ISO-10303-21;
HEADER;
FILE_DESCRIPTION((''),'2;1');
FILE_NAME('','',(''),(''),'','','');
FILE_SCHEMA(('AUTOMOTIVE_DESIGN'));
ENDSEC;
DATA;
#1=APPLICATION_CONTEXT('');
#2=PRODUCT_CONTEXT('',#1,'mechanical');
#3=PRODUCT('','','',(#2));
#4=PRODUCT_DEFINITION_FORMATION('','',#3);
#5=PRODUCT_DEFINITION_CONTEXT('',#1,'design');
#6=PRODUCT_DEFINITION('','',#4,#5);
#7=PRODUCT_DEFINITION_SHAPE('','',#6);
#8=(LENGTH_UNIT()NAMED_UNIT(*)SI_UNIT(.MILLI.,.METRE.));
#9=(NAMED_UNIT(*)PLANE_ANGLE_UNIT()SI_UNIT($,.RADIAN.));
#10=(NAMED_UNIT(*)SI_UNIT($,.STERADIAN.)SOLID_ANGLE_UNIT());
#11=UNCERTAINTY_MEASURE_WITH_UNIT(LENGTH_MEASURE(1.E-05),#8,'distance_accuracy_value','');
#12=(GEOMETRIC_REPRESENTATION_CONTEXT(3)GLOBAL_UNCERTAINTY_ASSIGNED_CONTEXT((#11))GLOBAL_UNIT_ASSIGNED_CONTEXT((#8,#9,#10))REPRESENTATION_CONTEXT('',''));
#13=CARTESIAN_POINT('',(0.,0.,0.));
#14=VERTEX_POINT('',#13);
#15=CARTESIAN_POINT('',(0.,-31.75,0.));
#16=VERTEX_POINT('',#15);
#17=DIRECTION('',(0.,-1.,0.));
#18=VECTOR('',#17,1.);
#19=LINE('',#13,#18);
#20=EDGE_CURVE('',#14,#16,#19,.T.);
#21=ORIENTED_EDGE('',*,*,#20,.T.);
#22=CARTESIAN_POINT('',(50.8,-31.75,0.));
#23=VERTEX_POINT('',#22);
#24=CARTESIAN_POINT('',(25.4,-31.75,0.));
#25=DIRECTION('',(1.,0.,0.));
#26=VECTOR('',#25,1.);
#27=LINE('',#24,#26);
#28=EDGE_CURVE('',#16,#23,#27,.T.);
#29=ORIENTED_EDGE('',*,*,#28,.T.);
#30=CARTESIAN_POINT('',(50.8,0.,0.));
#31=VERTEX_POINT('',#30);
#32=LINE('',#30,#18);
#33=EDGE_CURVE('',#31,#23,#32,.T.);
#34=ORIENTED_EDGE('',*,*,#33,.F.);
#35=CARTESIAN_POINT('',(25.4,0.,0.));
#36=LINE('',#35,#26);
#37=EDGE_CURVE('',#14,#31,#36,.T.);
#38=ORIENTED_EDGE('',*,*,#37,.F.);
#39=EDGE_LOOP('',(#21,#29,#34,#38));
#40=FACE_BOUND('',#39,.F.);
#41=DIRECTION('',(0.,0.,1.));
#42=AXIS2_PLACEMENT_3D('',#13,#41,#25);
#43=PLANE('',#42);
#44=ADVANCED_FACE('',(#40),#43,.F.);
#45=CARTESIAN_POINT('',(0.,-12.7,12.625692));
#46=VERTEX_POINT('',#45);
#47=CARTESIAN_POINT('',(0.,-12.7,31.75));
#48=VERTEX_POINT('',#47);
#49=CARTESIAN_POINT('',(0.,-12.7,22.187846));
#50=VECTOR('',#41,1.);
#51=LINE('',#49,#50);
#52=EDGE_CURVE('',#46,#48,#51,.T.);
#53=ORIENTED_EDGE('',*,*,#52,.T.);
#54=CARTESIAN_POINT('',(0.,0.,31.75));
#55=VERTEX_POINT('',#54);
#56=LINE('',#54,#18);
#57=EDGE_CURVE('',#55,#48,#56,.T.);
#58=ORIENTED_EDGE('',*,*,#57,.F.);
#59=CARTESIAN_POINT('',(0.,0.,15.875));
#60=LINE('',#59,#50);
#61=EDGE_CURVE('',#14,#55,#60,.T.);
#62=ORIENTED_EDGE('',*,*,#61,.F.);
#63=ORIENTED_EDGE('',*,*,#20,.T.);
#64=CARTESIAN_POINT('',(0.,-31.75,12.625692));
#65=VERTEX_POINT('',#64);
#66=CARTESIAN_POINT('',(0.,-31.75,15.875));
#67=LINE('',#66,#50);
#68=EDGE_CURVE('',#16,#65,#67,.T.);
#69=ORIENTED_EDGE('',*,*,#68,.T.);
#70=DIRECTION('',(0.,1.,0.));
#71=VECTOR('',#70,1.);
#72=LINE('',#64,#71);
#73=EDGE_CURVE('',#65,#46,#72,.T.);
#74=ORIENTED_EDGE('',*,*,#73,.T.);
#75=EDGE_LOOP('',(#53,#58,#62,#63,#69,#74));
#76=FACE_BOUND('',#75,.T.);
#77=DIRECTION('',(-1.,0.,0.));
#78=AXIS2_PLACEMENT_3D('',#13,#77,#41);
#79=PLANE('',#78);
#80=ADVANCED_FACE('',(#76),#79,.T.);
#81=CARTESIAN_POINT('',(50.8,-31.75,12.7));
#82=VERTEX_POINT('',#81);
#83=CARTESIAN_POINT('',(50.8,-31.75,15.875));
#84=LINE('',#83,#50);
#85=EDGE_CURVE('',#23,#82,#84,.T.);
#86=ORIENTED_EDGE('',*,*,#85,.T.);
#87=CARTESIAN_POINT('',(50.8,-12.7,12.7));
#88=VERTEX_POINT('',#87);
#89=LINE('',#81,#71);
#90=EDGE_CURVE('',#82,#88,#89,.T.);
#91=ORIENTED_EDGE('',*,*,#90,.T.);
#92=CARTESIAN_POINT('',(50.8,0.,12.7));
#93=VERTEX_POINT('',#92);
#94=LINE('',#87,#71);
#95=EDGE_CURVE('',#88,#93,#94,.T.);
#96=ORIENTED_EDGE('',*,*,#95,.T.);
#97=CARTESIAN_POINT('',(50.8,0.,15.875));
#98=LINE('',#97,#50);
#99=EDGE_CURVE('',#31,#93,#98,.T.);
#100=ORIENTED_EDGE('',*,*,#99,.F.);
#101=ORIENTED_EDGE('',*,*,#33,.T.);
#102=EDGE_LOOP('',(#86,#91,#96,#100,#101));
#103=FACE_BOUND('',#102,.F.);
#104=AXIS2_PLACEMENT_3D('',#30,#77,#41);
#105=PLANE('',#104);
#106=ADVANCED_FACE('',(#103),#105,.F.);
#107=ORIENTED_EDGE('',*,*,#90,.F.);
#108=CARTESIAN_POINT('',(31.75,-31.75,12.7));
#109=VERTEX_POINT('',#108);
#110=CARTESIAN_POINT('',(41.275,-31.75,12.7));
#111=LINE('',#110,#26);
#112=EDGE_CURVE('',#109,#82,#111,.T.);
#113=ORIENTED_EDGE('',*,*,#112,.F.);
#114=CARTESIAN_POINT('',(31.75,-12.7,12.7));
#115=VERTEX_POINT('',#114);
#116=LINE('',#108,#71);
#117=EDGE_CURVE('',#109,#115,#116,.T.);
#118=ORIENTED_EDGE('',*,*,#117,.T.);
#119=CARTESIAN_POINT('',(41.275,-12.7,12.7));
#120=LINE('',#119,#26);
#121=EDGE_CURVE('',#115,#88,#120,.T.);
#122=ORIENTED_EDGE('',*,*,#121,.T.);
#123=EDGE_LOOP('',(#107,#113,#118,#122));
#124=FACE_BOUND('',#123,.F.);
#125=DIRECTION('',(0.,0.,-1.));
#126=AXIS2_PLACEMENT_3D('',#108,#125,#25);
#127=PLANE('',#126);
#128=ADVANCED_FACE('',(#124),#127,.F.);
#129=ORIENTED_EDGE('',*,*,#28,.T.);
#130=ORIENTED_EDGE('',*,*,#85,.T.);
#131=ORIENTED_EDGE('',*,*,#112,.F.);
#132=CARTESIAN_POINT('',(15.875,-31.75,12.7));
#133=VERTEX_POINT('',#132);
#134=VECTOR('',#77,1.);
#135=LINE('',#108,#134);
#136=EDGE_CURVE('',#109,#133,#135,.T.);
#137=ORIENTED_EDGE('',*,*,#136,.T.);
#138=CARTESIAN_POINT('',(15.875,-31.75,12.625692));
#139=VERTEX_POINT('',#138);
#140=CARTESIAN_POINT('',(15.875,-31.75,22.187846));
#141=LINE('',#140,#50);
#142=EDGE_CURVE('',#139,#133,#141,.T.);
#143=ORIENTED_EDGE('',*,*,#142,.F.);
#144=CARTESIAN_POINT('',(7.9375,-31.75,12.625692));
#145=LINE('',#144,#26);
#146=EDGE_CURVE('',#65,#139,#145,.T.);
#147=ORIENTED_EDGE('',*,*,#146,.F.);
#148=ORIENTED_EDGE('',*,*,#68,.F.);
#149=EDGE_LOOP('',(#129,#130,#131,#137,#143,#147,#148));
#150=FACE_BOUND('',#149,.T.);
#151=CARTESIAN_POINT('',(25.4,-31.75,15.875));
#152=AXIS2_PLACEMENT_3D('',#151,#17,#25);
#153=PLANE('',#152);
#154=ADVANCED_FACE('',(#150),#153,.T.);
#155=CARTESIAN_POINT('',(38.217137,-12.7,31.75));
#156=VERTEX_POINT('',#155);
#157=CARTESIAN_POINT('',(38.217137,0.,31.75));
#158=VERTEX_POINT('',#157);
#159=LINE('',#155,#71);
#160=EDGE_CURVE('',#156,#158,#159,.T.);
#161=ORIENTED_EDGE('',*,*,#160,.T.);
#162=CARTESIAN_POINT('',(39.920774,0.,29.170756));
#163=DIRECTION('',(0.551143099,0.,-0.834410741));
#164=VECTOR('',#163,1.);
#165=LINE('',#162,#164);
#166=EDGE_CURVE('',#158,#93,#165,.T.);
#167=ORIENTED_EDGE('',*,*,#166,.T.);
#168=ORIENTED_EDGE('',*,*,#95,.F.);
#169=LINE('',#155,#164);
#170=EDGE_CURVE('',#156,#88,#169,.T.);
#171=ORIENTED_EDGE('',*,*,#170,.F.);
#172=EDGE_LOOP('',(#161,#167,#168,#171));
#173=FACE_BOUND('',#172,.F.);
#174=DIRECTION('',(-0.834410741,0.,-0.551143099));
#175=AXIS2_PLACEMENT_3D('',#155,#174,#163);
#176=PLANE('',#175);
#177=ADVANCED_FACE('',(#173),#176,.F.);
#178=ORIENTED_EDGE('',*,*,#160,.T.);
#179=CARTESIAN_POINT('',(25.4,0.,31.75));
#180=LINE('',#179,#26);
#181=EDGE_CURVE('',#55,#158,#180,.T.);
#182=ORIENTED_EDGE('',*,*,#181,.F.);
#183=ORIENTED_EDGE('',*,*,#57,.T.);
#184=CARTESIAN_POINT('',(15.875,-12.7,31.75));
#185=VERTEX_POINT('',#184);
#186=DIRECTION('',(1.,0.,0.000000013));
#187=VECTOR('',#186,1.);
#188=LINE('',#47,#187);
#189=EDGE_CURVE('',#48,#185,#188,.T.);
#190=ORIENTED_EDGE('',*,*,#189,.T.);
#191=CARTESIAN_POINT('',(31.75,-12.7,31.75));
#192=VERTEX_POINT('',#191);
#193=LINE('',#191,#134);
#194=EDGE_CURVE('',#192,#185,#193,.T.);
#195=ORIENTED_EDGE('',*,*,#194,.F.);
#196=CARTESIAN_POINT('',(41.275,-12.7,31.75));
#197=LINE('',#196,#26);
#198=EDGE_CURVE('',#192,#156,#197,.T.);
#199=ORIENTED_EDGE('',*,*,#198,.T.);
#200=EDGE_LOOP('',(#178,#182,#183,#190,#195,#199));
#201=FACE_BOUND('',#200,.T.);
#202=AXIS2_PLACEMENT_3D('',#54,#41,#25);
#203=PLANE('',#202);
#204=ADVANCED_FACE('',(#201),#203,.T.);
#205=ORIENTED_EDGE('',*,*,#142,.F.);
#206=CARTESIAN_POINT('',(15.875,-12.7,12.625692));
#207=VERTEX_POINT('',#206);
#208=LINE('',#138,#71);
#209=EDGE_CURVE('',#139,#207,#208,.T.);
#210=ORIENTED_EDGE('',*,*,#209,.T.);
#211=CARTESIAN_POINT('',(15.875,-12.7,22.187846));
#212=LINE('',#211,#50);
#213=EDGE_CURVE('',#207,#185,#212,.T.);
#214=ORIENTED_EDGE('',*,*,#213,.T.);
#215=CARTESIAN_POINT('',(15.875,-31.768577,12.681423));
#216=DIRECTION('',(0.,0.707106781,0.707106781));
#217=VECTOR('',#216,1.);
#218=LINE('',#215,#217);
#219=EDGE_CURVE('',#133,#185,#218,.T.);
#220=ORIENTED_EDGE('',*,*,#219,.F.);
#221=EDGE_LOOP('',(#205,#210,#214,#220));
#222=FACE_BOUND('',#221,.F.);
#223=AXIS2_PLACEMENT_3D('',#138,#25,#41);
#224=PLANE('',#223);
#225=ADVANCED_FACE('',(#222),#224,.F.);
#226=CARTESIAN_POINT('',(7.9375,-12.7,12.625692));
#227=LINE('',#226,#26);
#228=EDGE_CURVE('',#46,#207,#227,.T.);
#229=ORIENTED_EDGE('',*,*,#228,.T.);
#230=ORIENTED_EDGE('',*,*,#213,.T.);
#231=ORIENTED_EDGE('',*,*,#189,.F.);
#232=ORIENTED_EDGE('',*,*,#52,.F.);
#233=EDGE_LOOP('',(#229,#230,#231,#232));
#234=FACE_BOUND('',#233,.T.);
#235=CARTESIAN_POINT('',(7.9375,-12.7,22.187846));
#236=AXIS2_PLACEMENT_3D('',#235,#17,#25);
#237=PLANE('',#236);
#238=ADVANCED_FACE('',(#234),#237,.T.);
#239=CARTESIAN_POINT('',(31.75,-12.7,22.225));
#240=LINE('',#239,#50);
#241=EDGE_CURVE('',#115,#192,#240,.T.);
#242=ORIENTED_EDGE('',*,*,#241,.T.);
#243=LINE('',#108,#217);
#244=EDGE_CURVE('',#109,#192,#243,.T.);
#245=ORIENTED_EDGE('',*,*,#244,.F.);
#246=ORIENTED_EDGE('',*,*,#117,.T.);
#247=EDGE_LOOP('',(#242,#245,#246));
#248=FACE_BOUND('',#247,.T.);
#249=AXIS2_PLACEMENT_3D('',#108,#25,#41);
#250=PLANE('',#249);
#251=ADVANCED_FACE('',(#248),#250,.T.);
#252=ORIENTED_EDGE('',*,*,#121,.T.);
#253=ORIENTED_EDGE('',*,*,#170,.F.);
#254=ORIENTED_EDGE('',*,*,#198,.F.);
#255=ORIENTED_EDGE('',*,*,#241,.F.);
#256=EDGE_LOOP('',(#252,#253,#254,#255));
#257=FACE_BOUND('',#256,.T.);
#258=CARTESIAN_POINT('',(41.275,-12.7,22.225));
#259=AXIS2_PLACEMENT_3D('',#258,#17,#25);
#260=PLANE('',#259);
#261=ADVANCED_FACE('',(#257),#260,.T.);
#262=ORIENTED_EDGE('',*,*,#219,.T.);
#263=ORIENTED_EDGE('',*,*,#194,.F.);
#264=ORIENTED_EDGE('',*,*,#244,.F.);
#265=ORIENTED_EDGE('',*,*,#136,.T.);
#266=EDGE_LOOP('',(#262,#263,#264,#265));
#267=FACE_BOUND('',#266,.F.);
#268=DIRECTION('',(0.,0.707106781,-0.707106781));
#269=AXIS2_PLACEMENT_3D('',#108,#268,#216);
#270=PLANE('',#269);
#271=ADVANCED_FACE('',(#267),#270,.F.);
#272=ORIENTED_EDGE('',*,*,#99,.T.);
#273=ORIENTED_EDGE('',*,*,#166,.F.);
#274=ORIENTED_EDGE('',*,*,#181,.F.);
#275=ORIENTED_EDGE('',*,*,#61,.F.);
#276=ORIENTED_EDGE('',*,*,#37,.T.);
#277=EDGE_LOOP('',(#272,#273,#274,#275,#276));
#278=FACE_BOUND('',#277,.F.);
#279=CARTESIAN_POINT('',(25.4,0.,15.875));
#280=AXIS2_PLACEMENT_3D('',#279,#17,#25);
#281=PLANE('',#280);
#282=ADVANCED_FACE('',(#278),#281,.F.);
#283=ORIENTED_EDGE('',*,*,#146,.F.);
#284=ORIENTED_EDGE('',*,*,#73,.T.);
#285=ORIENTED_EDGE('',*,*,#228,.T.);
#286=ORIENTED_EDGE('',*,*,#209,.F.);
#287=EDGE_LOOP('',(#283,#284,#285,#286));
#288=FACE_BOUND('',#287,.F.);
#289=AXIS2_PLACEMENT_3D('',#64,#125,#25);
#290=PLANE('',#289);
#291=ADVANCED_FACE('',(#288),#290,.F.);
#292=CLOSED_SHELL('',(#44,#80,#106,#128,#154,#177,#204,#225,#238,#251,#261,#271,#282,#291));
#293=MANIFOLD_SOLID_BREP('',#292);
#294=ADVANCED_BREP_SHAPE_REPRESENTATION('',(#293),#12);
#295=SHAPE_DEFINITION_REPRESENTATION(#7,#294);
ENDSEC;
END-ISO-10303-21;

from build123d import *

# Parameters (mm, degrees)
F0_W     = 50.8
F0_H     = 31.75
F1_DEPTH = 31.75
F2_W     = 19.05
F2_H     = 19.05
F3_DEPTH = 19.05
F5_DEPTH = 25.4
F6_W     = 15.875
F6_H     = 19.124309
F7_DEPTH = 19.05
F9_DEPTH = 25.4


with BuildPart() as f1:
    # F0 (on Front) → F1 (new body)
    with BuildSketch(Plane.XZ):
        with Locations((25.4, 15.875)):
            Rectangle(F0_W, F0_H)
    extrude(amount=F1_DEPTH)

    # F2 (on face) → F3 (cut)
    with BuildSketch(Plane.XZ.offset(31.75)):
        with Locations((41.275, 22.225)):
            Rectangle(F2_W, F2_H)
    extrude(amount=-F3_DEPTH, mode=Mode.SUBTRACT)

    # F4 (on face) → F5 (cut)
    with BuildSketch(Plane.XZ.offset(12.7)):
        Polygon((50.8, 31.75), (38.217137, 31.75), (50.8, 12.7), align=None)
    extrude(amount=-F5_DEPTH, mode=Mode.SUBTRACT)

    # F6 (on face) → F7 (cut)
    with BuildSketch(Plane.XZ.offset(31.75)):
        with Locations((7.9375, 22.187846)):
            Rectangle(F6_W, F6_H)
    extrude(amount=-F7_DEPTH, mode=Mode.SUBTRACT)

    # F8 (on face) → F9 (cut)
    with BuildSketch(Plane.YZ.offset(31.75)):
        Polygon((-31.75, 12.7), (-12.7, 31.75), (-31.75, 31.75), align=None)
    extrude(amount=-F9_DEPTH, mode=Mode.SUBTRACT)


solid = f1.part
